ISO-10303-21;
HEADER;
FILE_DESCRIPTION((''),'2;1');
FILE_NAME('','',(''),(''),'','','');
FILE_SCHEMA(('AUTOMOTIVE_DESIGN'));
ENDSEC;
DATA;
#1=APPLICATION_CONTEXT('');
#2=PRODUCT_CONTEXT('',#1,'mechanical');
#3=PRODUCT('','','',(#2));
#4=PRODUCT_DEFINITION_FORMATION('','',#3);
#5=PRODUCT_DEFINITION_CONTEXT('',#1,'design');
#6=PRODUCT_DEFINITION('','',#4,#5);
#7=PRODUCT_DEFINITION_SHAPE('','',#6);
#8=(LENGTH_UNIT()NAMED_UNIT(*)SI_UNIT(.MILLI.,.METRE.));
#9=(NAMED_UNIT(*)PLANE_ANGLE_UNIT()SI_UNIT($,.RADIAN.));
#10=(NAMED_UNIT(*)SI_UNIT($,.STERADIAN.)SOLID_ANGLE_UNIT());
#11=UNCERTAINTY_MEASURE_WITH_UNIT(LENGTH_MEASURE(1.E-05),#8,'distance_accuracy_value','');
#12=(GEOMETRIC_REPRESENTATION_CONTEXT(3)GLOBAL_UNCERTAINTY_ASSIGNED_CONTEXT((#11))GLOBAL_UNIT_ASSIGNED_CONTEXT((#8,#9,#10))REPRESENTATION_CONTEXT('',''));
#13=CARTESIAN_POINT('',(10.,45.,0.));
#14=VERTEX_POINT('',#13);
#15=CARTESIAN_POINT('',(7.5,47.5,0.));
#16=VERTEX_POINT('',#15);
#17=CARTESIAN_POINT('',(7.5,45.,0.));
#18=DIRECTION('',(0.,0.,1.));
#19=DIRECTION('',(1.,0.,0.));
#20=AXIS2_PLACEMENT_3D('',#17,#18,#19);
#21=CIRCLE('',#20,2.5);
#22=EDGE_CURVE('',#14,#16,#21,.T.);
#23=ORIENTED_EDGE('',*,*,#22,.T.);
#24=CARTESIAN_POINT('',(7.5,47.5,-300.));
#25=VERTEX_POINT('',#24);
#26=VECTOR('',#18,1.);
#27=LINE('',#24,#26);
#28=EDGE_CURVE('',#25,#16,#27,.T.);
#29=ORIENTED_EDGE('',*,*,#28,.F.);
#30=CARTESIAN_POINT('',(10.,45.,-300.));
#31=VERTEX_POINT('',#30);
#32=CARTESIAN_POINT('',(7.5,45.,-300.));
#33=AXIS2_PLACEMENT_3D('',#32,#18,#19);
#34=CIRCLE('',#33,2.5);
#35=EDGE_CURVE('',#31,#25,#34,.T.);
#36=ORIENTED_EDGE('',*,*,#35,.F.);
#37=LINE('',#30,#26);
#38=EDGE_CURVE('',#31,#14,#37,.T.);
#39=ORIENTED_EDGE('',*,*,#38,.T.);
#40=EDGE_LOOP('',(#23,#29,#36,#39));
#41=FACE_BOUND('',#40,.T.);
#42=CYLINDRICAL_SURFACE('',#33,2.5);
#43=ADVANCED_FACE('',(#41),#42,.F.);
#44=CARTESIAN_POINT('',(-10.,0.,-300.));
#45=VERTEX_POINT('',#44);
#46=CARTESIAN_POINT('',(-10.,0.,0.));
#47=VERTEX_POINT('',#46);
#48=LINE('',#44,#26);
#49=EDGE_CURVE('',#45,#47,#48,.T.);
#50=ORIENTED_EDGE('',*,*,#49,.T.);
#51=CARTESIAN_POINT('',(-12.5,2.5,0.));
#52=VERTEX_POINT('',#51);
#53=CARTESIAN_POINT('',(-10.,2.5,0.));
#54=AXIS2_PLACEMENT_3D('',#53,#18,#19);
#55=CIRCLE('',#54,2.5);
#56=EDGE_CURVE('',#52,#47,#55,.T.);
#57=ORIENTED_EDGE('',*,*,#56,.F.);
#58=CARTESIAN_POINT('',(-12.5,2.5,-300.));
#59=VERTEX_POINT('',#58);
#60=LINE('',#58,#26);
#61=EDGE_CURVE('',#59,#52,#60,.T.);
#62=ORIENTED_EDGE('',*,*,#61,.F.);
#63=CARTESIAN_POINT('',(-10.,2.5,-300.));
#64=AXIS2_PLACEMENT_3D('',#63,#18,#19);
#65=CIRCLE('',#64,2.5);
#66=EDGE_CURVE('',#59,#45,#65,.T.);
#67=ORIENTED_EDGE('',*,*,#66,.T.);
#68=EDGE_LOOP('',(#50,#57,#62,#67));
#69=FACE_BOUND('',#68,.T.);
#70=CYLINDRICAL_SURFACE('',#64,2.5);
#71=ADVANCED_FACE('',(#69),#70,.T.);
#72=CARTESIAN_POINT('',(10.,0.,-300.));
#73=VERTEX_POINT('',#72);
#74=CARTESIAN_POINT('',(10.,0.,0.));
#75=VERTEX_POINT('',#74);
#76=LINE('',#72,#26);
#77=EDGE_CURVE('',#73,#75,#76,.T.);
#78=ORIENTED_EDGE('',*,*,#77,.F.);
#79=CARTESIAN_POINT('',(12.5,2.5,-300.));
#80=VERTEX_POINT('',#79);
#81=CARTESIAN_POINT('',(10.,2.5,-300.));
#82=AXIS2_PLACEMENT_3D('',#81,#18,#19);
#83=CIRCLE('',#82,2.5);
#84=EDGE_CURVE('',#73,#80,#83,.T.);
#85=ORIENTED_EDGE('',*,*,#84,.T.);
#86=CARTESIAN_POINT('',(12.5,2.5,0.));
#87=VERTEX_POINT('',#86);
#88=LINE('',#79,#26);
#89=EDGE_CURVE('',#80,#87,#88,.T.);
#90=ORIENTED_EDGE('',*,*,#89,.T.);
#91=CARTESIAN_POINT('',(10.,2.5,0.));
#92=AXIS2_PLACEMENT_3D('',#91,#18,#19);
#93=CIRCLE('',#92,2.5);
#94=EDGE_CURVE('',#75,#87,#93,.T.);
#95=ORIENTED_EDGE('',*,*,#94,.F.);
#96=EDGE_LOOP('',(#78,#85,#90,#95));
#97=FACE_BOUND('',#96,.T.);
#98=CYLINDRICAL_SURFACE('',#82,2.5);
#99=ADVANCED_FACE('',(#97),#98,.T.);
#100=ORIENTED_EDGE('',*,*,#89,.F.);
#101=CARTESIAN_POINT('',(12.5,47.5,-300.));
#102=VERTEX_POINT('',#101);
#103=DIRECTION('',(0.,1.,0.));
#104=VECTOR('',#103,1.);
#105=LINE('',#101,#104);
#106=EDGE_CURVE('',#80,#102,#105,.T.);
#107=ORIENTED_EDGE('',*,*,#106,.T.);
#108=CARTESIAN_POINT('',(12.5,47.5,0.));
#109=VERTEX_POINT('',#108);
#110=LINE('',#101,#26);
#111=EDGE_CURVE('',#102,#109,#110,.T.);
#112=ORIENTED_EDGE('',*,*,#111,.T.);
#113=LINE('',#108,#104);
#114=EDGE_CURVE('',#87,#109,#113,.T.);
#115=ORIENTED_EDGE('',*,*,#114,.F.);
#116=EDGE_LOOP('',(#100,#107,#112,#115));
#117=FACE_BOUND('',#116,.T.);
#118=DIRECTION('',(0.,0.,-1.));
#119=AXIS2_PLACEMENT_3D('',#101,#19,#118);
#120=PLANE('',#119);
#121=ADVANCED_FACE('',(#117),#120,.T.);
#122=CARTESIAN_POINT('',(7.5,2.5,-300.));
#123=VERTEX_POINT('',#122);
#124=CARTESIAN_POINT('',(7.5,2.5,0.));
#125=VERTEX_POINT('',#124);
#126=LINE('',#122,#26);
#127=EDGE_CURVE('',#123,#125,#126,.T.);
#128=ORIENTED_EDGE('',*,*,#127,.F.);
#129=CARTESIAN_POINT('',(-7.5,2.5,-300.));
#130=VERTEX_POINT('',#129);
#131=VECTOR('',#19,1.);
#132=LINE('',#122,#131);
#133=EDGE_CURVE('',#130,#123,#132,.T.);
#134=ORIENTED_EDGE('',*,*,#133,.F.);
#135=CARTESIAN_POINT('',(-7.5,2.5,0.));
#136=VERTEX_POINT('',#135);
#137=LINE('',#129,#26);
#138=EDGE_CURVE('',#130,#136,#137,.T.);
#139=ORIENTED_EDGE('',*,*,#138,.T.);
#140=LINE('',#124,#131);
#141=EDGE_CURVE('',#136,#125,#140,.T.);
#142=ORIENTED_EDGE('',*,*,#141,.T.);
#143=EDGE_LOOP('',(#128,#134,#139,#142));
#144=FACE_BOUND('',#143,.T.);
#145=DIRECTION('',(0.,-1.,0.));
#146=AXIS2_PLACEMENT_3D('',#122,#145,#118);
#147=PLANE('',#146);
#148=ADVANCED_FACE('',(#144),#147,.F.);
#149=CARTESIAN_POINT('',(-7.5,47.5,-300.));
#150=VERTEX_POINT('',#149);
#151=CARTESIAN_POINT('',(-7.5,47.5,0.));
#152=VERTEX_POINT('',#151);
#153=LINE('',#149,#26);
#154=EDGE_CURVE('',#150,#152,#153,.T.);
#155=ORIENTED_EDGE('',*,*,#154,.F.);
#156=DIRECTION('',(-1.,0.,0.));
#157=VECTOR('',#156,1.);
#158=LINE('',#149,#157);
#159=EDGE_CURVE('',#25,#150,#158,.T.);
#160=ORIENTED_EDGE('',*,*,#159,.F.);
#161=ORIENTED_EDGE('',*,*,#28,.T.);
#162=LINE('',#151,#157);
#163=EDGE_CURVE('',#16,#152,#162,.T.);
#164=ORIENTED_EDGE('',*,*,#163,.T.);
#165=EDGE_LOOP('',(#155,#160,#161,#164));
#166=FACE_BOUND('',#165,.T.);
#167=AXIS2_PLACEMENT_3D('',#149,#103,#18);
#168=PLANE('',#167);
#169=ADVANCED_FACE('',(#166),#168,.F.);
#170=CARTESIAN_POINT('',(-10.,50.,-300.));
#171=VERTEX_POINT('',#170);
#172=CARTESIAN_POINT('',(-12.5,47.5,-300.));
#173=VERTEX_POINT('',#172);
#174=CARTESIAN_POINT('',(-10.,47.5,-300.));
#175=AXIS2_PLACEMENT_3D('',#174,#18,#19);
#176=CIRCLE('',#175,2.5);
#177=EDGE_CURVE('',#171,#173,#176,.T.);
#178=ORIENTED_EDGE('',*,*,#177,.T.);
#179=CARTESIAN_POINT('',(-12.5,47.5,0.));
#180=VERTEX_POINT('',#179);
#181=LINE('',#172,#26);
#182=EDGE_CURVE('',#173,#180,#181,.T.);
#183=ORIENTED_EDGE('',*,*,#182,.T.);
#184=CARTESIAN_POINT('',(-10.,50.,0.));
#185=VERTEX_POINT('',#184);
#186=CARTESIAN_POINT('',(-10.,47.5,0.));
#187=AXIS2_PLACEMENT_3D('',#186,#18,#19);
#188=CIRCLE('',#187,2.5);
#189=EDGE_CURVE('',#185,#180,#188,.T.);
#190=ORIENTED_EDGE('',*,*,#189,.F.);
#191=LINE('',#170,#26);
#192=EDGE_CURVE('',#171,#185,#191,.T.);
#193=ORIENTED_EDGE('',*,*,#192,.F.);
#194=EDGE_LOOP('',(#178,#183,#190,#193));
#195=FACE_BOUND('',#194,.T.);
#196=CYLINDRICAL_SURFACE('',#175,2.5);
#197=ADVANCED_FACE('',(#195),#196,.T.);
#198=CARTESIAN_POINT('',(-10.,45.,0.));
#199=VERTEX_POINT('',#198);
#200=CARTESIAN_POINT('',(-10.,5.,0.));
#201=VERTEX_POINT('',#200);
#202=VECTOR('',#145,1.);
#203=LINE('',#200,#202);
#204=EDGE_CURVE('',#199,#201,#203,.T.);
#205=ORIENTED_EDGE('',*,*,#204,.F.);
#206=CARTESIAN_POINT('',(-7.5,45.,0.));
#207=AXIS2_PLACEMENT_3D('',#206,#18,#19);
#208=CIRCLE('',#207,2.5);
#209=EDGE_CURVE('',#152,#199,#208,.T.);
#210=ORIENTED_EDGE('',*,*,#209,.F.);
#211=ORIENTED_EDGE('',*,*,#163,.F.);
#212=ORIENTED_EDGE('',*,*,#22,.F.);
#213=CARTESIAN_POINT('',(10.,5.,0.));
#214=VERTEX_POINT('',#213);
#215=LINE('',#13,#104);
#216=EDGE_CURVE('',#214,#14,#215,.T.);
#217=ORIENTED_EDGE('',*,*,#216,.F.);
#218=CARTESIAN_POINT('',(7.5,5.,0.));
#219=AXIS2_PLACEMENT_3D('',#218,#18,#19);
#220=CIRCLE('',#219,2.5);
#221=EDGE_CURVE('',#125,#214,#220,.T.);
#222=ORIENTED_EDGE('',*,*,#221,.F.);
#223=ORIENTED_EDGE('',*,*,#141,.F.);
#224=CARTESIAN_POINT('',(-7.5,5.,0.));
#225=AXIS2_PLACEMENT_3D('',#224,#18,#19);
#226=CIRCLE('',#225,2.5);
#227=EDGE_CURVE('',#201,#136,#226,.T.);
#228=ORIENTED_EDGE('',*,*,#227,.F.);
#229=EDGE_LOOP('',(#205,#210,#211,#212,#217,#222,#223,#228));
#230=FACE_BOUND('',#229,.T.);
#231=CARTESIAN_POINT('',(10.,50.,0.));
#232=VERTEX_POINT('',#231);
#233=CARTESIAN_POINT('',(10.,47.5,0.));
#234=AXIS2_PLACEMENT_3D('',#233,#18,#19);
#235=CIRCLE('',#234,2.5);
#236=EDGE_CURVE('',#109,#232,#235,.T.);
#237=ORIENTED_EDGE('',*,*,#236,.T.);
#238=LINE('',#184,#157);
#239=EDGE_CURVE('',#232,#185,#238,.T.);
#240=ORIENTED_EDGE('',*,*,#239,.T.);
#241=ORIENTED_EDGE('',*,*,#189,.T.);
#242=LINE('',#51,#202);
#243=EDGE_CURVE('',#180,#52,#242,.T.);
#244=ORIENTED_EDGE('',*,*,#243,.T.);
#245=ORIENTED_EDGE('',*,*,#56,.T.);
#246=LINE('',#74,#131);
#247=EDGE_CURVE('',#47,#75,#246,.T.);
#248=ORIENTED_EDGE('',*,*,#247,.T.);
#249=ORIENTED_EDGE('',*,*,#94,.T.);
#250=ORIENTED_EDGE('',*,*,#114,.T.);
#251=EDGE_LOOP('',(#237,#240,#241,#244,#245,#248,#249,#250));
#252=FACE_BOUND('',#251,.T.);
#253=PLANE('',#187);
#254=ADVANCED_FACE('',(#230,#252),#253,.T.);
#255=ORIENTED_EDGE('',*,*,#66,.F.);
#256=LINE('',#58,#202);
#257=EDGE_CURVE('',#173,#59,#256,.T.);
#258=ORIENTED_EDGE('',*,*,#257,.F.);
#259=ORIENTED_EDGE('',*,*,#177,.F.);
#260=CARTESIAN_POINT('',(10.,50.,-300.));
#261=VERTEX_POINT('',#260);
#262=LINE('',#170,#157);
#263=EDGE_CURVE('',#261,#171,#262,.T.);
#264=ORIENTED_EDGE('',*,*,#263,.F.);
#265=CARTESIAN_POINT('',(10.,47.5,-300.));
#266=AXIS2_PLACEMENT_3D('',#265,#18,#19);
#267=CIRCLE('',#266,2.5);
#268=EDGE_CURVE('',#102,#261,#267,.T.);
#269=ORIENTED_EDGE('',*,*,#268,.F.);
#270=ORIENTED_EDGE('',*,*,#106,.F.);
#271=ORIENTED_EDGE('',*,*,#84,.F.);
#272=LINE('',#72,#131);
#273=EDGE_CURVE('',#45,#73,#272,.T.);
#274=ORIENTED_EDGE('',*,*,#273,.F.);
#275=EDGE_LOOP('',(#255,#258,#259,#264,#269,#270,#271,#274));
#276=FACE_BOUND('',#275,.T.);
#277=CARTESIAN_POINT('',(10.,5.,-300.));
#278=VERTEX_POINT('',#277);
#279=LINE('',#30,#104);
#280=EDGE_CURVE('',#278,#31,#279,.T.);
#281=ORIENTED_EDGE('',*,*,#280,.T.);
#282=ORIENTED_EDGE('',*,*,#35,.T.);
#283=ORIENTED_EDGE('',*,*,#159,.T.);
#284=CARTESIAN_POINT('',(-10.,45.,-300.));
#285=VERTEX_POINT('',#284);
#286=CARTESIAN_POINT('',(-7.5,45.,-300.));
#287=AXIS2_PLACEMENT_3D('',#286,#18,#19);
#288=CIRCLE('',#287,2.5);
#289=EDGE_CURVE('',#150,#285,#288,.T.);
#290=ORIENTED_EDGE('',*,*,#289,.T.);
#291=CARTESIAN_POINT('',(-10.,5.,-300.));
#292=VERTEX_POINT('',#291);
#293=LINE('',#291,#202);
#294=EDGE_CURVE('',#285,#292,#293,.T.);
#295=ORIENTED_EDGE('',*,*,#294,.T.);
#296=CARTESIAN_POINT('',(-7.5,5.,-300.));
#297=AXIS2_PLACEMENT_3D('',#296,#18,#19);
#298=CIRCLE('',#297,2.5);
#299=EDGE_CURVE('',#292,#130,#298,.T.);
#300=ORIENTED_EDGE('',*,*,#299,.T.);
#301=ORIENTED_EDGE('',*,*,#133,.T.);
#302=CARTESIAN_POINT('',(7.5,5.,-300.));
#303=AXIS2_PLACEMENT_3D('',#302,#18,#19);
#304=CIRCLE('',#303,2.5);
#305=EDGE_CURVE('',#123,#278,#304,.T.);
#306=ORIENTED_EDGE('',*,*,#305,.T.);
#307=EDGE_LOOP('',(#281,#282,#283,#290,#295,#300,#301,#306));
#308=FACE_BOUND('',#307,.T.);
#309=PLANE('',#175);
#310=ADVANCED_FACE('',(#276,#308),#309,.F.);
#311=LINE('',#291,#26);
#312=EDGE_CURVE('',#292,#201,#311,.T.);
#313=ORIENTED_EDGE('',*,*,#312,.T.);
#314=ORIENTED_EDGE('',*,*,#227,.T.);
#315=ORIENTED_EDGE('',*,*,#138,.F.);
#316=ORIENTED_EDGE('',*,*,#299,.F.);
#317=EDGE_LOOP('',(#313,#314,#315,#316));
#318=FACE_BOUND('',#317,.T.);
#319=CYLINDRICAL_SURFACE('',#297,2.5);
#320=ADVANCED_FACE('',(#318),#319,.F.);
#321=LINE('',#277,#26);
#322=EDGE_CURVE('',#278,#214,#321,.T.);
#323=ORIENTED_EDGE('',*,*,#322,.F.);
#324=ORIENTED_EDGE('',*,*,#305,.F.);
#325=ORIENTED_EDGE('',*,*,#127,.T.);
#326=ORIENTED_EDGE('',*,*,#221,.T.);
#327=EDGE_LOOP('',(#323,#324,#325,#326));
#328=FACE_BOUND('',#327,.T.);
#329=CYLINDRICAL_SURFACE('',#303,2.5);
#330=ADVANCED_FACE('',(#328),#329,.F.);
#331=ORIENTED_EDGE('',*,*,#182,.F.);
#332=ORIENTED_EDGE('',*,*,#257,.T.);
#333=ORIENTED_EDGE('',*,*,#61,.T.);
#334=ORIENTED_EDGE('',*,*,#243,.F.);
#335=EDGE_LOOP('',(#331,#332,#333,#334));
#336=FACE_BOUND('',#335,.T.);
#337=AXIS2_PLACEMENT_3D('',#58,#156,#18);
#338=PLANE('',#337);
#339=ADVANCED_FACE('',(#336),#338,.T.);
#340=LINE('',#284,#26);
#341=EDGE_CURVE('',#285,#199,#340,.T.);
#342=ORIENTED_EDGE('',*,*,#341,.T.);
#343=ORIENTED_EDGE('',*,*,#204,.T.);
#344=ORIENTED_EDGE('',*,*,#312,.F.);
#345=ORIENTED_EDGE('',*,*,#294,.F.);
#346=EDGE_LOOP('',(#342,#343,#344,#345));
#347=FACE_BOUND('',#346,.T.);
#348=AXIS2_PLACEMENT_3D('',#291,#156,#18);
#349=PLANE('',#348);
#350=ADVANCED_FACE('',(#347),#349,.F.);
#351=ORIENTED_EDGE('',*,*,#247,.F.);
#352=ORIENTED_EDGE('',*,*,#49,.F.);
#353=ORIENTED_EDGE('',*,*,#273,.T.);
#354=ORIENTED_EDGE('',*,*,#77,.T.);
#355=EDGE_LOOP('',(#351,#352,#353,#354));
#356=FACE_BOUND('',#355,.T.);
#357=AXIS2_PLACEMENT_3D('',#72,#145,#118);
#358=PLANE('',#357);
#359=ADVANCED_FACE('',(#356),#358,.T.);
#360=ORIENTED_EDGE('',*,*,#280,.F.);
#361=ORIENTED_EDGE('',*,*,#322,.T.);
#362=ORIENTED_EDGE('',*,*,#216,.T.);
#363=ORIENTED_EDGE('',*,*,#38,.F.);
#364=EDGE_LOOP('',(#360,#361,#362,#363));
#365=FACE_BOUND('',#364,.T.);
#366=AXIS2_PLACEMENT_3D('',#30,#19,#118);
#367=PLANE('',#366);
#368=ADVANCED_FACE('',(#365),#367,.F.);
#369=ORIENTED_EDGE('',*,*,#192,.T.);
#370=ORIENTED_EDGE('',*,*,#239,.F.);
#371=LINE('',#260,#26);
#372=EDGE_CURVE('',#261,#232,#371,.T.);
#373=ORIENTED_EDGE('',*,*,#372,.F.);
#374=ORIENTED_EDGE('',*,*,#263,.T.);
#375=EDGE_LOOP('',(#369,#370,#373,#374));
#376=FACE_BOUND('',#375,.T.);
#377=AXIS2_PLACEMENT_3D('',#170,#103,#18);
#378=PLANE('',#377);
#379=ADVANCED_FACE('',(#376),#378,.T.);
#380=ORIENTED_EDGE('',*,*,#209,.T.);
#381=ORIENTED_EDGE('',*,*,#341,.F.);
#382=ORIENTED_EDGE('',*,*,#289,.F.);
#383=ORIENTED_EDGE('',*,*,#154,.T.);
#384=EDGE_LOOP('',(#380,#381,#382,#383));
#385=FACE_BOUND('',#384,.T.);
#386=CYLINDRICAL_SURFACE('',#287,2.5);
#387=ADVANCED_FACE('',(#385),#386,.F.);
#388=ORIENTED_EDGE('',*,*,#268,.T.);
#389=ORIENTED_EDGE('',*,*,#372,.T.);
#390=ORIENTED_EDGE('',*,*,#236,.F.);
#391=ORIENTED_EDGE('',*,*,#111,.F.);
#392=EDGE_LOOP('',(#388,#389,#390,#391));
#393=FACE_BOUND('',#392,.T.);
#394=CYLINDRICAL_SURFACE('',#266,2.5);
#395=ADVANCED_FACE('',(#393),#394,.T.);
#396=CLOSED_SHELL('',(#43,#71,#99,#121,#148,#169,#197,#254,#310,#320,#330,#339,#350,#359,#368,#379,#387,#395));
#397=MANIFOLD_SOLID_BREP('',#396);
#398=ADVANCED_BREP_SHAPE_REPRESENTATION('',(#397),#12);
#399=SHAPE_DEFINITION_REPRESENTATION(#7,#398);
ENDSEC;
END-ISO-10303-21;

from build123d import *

# Parameters (mm, degrees)
EXTRUDE_1_DEPTH = 300


with BuildPart() as part:
    # Эскиз1 → Бобышка-Вытянуть1 (new body)
    with BuildSketch(Plane.XY):
        with BuildLine():
            Line((-10, 50), (10, 50))
            ThreePointArc((10, 50), (11.767766953, 49.267766953), (12.5, 47.5))
            Line((12.5, 47.5), (12.5, 2.5))
            ThreePointArc((12.5, 2.5), (11.767766953, 0.732233047), (10, 0))
            Line((10, 0), (-10, 0))
            ThreePointArc((-10, 0), (-11.767766953, 0.732233047), (-12.5, 2.5))
            Line((-12.5, 2.5), (-12.5, 47.5))
            ThreePointArc((-12.5, 47.5), (-11.767766953, 49.267766953), (-10, 50))
        make_face()
        with BuildLine():
            Line((-7.5, 47.5), (7.5, 47.5))
            ThreePointArc((7.5, 47.5), (9.267766953, 46.767766953), (10, 45))
            Line((10, 45), (10, 5))
            ThreePointArc((10, 5), (9.267766953, 3.232233047), (7.5, 2.5))
            Line((7.5, 2.5), (-7.5, 2.5))
            ThreePointArc((-7.5, 2.5), (-9.267766953, 3.232233047), (-10, 5))
            Line((-10, 5), (-10, 45))
            ThreePointArc((-10, 45), (-9.267766953, 46.767766953), (-7.5, 47.5))
        make_face(mode=Mode.SUBTRACT)
    extrude(amount=-EXTRUDE_1_DEPTH)


solid = part.part
